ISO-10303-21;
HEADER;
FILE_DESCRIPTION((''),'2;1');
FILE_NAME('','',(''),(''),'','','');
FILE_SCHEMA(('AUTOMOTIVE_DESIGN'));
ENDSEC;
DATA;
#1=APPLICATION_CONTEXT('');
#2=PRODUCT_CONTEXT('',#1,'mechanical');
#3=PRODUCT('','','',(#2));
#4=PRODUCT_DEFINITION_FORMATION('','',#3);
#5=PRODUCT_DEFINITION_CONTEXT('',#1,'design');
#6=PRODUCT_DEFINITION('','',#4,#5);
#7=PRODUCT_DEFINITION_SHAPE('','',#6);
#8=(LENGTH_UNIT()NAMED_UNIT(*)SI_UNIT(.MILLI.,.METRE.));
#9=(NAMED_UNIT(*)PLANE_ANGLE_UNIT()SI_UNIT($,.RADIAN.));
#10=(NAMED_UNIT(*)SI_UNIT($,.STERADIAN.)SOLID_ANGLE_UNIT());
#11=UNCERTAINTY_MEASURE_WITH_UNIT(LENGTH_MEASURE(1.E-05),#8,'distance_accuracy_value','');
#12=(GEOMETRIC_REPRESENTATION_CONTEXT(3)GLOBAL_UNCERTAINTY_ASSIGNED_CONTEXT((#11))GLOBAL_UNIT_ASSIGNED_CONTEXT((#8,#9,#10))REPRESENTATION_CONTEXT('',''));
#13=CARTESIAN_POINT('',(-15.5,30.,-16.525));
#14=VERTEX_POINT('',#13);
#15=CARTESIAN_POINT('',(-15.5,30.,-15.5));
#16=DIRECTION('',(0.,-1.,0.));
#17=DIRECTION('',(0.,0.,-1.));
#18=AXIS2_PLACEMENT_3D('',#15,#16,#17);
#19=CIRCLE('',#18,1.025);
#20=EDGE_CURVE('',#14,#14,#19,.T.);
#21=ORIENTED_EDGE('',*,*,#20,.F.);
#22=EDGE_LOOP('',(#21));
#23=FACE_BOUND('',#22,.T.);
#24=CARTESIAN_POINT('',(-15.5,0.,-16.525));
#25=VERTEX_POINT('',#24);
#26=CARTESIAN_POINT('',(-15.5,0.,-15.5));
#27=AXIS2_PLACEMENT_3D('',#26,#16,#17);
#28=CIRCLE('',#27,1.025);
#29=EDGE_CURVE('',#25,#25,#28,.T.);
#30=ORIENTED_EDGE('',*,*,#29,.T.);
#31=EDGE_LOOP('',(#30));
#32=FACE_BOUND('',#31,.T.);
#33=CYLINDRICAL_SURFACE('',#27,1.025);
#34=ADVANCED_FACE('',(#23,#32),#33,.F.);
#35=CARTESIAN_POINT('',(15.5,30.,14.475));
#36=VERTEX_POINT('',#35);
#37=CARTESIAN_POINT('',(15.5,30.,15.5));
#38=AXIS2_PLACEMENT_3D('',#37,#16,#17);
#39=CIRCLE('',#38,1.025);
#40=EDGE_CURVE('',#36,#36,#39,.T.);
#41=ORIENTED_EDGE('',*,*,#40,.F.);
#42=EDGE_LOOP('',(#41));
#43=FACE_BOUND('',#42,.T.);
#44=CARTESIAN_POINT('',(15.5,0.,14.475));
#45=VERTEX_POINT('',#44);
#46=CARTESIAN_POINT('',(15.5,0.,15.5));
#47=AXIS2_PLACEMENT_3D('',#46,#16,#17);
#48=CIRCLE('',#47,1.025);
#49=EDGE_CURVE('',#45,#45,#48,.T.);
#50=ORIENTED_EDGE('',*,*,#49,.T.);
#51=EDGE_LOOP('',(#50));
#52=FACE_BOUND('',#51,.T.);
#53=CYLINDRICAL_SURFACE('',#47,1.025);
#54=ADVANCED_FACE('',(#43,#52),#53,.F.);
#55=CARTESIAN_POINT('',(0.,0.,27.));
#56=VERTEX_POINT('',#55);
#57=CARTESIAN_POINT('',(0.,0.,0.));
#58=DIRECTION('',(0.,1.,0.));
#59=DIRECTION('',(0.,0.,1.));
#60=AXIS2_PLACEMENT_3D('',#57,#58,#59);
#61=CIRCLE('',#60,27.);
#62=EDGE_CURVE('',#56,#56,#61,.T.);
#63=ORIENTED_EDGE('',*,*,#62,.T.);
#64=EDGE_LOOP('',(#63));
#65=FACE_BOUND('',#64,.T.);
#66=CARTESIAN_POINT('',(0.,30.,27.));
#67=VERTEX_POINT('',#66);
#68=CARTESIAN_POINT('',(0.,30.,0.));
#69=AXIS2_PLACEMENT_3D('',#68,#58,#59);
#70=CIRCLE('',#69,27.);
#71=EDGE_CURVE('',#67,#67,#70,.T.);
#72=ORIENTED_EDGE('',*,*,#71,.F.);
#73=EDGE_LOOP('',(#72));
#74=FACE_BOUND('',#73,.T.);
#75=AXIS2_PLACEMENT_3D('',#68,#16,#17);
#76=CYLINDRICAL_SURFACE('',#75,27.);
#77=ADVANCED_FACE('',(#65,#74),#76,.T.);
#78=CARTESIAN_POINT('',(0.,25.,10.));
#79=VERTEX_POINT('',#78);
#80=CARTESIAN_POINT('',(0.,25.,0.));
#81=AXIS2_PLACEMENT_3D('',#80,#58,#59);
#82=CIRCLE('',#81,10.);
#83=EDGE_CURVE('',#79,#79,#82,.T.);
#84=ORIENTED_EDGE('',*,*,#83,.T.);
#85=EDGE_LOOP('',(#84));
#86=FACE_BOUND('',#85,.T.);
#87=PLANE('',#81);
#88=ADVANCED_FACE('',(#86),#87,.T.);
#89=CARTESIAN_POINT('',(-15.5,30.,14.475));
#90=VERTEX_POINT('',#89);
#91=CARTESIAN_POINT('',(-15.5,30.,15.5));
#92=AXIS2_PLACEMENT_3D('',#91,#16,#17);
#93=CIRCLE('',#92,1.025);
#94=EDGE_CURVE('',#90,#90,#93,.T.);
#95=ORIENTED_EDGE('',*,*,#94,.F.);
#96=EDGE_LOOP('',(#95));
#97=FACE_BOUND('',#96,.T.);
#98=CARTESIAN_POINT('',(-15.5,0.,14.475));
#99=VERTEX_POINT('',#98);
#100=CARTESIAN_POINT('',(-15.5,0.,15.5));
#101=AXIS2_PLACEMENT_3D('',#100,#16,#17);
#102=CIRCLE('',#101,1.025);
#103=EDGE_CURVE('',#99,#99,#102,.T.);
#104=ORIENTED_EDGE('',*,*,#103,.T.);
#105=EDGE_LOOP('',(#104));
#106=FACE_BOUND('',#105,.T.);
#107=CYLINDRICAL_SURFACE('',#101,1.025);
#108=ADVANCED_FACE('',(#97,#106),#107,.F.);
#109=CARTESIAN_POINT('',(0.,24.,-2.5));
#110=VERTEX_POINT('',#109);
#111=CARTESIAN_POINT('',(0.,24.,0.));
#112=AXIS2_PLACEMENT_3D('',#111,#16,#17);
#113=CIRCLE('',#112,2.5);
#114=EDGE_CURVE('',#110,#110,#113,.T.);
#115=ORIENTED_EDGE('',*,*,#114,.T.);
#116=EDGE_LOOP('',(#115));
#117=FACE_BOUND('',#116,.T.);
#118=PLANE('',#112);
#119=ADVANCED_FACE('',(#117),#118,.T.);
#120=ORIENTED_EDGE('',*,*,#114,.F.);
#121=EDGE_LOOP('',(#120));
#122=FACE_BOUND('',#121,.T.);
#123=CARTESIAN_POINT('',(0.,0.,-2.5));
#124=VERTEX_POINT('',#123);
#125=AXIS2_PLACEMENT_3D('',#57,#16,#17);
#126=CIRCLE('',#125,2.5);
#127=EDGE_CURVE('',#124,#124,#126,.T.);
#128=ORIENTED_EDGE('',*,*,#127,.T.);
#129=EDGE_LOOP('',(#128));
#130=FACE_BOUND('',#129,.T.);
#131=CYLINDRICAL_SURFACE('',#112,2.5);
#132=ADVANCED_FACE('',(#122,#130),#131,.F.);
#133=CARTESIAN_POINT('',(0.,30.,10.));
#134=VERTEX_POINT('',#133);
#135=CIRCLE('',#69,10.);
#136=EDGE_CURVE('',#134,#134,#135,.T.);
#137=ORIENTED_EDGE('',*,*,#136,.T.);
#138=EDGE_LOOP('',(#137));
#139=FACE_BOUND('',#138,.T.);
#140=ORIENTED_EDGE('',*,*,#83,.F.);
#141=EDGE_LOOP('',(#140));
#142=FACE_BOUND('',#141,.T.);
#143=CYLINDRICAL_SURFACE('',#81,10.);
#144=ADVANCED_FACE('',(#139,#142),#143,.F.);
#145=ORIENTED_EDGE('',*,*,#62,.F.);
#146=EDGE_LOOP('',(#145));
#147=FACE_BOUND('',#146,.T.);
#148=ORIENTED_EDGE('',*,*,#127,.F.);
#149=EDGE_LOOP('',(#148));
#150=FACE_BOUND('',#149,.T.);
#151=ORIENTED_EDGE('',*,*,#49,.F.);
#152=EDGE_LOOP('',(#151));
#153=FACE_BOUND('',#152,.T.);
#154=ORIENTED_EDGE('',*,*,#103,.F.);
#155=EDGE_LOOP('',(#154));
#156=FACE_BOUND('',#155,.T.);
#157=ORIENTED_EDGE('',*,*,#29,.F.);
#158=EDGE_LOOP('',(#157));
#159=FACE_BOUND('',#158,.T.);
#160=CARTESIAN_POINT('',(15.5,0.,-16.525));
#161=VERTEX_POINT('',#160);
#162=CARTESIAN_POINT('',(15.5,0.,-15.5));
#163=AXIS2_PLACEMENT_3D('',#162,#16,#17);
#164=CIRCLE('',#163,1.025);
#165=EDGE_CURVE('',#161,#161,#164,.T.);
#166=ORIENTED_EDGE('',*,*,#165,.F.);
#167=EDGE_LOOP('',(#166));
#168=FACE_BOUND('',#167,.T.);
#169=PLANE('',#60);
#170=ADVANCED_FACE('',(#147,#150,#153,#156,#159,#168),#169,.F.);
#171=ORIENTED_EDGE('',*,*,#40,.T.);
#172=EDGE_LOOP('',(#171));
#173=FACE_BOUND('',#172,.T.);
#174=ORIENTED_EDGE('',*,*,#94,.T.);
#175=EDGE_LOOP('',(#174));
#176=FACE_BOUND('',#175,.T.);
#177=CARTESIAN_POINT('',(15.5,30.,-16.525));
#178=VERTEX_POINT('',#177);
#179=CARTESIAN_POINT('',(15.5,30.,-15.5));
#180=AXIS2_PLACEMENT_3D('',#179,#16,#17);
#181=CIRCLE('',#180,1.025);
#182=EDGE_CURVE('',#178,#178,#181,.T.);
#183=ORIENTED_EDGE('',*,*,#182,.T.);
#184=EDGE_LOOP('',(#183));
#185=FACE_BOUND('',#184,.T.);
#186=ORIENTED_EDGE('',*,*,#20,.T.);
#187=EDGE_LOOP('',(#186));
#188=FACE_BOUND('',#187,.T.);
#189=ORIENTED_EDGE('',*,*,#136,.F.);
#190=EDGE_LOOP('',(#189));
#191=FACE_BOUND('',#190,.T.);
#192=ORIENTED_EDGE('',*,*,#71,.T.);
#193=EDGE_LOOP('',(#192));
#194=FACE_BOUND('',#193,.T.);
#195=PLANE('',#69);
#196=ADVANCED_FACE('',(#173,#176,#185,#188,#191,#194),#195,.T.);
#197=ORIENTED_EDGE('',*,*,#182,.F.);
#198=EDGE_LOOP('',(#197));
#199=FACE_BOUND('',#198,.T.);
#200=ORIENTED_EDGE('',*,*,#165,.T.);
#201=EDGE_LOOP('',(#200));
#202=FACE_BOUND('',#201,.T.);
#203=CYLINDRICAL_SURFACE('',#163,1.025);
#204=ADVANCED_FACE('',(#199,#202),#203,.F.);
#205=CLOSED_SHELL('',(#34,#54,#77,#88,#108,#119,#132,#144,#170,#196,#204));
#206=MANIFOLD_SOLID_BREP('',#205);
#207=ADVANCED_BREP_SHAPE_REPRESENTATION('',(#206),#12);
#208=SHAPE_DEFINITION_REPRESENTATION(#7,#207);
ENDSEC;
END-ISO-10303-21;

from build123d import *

# Parameters (mm, degrees)
SKETCH_1_R           = 27
EXTRUDE_1_DEPTH      = 30
HOLE_WIZARD_M2_5_1_D = 2.05
SKETCH_7_R           = 2.5
CUT_EXTRUDE_1_DEPTH  = 24
SKETCH_8_R           = 10
CUT_EXTRUDE_2_DEPTH  = 5


with BuildPart() as part:
    # 草图1 → 凸台-拉伸1 (new body)
    with BuildSketch(Plane(origin=(0, 0, 0), x_dir=(1, 0, 0), z_dir=(0, 1, 0))):
        with Locations(Location((0, 0, 0), (0, 0, 270))):
            Circle(SKETCH_1_R)
    extrude(amount=EXTRUDE_1_DEPTH)

    # M2.5 螺纹孔1 (through all)
    with Locations(Plane(origin=(0, 0, 0), x_dir=(-1, 0, 0), z_dir=(0, -1, 0))):
        with Locations((15.5, 15.5), (-15.5, 15.5), (-15.5, -15.5), (15.5, -15.5)):
            Hole(HOLE_WIZARD_M2_5_1_D / 2)

    # 草图7 → 切除-拉伸1 (cut)
    with BuildSketch(Plane.XZ):
        with Locations(Location((0, 0, 0), (0, 0, 270))):
            Circle(SKETCH_7_R)
    extrude(amount=-CUT_EXTRUDE_1_DEPTH, mode=Mode.SUBTRACT)

    # 草图8 → 切除-拉伸2 (cut)
    with BuildSketch(Plane(origin=(0, 30, 0), x_dir=(1, 0, 0), z_dir=(0, 1, 0))):
        with Locations(Location((0, 0, 0), (0, 0, 270))):
            Circle(SKETCH_8_R)
    extrude(amount=-CUT_EXTRUDE_2_DEPTH, mode=Mode.SUBTRACT)


solid = part.part
